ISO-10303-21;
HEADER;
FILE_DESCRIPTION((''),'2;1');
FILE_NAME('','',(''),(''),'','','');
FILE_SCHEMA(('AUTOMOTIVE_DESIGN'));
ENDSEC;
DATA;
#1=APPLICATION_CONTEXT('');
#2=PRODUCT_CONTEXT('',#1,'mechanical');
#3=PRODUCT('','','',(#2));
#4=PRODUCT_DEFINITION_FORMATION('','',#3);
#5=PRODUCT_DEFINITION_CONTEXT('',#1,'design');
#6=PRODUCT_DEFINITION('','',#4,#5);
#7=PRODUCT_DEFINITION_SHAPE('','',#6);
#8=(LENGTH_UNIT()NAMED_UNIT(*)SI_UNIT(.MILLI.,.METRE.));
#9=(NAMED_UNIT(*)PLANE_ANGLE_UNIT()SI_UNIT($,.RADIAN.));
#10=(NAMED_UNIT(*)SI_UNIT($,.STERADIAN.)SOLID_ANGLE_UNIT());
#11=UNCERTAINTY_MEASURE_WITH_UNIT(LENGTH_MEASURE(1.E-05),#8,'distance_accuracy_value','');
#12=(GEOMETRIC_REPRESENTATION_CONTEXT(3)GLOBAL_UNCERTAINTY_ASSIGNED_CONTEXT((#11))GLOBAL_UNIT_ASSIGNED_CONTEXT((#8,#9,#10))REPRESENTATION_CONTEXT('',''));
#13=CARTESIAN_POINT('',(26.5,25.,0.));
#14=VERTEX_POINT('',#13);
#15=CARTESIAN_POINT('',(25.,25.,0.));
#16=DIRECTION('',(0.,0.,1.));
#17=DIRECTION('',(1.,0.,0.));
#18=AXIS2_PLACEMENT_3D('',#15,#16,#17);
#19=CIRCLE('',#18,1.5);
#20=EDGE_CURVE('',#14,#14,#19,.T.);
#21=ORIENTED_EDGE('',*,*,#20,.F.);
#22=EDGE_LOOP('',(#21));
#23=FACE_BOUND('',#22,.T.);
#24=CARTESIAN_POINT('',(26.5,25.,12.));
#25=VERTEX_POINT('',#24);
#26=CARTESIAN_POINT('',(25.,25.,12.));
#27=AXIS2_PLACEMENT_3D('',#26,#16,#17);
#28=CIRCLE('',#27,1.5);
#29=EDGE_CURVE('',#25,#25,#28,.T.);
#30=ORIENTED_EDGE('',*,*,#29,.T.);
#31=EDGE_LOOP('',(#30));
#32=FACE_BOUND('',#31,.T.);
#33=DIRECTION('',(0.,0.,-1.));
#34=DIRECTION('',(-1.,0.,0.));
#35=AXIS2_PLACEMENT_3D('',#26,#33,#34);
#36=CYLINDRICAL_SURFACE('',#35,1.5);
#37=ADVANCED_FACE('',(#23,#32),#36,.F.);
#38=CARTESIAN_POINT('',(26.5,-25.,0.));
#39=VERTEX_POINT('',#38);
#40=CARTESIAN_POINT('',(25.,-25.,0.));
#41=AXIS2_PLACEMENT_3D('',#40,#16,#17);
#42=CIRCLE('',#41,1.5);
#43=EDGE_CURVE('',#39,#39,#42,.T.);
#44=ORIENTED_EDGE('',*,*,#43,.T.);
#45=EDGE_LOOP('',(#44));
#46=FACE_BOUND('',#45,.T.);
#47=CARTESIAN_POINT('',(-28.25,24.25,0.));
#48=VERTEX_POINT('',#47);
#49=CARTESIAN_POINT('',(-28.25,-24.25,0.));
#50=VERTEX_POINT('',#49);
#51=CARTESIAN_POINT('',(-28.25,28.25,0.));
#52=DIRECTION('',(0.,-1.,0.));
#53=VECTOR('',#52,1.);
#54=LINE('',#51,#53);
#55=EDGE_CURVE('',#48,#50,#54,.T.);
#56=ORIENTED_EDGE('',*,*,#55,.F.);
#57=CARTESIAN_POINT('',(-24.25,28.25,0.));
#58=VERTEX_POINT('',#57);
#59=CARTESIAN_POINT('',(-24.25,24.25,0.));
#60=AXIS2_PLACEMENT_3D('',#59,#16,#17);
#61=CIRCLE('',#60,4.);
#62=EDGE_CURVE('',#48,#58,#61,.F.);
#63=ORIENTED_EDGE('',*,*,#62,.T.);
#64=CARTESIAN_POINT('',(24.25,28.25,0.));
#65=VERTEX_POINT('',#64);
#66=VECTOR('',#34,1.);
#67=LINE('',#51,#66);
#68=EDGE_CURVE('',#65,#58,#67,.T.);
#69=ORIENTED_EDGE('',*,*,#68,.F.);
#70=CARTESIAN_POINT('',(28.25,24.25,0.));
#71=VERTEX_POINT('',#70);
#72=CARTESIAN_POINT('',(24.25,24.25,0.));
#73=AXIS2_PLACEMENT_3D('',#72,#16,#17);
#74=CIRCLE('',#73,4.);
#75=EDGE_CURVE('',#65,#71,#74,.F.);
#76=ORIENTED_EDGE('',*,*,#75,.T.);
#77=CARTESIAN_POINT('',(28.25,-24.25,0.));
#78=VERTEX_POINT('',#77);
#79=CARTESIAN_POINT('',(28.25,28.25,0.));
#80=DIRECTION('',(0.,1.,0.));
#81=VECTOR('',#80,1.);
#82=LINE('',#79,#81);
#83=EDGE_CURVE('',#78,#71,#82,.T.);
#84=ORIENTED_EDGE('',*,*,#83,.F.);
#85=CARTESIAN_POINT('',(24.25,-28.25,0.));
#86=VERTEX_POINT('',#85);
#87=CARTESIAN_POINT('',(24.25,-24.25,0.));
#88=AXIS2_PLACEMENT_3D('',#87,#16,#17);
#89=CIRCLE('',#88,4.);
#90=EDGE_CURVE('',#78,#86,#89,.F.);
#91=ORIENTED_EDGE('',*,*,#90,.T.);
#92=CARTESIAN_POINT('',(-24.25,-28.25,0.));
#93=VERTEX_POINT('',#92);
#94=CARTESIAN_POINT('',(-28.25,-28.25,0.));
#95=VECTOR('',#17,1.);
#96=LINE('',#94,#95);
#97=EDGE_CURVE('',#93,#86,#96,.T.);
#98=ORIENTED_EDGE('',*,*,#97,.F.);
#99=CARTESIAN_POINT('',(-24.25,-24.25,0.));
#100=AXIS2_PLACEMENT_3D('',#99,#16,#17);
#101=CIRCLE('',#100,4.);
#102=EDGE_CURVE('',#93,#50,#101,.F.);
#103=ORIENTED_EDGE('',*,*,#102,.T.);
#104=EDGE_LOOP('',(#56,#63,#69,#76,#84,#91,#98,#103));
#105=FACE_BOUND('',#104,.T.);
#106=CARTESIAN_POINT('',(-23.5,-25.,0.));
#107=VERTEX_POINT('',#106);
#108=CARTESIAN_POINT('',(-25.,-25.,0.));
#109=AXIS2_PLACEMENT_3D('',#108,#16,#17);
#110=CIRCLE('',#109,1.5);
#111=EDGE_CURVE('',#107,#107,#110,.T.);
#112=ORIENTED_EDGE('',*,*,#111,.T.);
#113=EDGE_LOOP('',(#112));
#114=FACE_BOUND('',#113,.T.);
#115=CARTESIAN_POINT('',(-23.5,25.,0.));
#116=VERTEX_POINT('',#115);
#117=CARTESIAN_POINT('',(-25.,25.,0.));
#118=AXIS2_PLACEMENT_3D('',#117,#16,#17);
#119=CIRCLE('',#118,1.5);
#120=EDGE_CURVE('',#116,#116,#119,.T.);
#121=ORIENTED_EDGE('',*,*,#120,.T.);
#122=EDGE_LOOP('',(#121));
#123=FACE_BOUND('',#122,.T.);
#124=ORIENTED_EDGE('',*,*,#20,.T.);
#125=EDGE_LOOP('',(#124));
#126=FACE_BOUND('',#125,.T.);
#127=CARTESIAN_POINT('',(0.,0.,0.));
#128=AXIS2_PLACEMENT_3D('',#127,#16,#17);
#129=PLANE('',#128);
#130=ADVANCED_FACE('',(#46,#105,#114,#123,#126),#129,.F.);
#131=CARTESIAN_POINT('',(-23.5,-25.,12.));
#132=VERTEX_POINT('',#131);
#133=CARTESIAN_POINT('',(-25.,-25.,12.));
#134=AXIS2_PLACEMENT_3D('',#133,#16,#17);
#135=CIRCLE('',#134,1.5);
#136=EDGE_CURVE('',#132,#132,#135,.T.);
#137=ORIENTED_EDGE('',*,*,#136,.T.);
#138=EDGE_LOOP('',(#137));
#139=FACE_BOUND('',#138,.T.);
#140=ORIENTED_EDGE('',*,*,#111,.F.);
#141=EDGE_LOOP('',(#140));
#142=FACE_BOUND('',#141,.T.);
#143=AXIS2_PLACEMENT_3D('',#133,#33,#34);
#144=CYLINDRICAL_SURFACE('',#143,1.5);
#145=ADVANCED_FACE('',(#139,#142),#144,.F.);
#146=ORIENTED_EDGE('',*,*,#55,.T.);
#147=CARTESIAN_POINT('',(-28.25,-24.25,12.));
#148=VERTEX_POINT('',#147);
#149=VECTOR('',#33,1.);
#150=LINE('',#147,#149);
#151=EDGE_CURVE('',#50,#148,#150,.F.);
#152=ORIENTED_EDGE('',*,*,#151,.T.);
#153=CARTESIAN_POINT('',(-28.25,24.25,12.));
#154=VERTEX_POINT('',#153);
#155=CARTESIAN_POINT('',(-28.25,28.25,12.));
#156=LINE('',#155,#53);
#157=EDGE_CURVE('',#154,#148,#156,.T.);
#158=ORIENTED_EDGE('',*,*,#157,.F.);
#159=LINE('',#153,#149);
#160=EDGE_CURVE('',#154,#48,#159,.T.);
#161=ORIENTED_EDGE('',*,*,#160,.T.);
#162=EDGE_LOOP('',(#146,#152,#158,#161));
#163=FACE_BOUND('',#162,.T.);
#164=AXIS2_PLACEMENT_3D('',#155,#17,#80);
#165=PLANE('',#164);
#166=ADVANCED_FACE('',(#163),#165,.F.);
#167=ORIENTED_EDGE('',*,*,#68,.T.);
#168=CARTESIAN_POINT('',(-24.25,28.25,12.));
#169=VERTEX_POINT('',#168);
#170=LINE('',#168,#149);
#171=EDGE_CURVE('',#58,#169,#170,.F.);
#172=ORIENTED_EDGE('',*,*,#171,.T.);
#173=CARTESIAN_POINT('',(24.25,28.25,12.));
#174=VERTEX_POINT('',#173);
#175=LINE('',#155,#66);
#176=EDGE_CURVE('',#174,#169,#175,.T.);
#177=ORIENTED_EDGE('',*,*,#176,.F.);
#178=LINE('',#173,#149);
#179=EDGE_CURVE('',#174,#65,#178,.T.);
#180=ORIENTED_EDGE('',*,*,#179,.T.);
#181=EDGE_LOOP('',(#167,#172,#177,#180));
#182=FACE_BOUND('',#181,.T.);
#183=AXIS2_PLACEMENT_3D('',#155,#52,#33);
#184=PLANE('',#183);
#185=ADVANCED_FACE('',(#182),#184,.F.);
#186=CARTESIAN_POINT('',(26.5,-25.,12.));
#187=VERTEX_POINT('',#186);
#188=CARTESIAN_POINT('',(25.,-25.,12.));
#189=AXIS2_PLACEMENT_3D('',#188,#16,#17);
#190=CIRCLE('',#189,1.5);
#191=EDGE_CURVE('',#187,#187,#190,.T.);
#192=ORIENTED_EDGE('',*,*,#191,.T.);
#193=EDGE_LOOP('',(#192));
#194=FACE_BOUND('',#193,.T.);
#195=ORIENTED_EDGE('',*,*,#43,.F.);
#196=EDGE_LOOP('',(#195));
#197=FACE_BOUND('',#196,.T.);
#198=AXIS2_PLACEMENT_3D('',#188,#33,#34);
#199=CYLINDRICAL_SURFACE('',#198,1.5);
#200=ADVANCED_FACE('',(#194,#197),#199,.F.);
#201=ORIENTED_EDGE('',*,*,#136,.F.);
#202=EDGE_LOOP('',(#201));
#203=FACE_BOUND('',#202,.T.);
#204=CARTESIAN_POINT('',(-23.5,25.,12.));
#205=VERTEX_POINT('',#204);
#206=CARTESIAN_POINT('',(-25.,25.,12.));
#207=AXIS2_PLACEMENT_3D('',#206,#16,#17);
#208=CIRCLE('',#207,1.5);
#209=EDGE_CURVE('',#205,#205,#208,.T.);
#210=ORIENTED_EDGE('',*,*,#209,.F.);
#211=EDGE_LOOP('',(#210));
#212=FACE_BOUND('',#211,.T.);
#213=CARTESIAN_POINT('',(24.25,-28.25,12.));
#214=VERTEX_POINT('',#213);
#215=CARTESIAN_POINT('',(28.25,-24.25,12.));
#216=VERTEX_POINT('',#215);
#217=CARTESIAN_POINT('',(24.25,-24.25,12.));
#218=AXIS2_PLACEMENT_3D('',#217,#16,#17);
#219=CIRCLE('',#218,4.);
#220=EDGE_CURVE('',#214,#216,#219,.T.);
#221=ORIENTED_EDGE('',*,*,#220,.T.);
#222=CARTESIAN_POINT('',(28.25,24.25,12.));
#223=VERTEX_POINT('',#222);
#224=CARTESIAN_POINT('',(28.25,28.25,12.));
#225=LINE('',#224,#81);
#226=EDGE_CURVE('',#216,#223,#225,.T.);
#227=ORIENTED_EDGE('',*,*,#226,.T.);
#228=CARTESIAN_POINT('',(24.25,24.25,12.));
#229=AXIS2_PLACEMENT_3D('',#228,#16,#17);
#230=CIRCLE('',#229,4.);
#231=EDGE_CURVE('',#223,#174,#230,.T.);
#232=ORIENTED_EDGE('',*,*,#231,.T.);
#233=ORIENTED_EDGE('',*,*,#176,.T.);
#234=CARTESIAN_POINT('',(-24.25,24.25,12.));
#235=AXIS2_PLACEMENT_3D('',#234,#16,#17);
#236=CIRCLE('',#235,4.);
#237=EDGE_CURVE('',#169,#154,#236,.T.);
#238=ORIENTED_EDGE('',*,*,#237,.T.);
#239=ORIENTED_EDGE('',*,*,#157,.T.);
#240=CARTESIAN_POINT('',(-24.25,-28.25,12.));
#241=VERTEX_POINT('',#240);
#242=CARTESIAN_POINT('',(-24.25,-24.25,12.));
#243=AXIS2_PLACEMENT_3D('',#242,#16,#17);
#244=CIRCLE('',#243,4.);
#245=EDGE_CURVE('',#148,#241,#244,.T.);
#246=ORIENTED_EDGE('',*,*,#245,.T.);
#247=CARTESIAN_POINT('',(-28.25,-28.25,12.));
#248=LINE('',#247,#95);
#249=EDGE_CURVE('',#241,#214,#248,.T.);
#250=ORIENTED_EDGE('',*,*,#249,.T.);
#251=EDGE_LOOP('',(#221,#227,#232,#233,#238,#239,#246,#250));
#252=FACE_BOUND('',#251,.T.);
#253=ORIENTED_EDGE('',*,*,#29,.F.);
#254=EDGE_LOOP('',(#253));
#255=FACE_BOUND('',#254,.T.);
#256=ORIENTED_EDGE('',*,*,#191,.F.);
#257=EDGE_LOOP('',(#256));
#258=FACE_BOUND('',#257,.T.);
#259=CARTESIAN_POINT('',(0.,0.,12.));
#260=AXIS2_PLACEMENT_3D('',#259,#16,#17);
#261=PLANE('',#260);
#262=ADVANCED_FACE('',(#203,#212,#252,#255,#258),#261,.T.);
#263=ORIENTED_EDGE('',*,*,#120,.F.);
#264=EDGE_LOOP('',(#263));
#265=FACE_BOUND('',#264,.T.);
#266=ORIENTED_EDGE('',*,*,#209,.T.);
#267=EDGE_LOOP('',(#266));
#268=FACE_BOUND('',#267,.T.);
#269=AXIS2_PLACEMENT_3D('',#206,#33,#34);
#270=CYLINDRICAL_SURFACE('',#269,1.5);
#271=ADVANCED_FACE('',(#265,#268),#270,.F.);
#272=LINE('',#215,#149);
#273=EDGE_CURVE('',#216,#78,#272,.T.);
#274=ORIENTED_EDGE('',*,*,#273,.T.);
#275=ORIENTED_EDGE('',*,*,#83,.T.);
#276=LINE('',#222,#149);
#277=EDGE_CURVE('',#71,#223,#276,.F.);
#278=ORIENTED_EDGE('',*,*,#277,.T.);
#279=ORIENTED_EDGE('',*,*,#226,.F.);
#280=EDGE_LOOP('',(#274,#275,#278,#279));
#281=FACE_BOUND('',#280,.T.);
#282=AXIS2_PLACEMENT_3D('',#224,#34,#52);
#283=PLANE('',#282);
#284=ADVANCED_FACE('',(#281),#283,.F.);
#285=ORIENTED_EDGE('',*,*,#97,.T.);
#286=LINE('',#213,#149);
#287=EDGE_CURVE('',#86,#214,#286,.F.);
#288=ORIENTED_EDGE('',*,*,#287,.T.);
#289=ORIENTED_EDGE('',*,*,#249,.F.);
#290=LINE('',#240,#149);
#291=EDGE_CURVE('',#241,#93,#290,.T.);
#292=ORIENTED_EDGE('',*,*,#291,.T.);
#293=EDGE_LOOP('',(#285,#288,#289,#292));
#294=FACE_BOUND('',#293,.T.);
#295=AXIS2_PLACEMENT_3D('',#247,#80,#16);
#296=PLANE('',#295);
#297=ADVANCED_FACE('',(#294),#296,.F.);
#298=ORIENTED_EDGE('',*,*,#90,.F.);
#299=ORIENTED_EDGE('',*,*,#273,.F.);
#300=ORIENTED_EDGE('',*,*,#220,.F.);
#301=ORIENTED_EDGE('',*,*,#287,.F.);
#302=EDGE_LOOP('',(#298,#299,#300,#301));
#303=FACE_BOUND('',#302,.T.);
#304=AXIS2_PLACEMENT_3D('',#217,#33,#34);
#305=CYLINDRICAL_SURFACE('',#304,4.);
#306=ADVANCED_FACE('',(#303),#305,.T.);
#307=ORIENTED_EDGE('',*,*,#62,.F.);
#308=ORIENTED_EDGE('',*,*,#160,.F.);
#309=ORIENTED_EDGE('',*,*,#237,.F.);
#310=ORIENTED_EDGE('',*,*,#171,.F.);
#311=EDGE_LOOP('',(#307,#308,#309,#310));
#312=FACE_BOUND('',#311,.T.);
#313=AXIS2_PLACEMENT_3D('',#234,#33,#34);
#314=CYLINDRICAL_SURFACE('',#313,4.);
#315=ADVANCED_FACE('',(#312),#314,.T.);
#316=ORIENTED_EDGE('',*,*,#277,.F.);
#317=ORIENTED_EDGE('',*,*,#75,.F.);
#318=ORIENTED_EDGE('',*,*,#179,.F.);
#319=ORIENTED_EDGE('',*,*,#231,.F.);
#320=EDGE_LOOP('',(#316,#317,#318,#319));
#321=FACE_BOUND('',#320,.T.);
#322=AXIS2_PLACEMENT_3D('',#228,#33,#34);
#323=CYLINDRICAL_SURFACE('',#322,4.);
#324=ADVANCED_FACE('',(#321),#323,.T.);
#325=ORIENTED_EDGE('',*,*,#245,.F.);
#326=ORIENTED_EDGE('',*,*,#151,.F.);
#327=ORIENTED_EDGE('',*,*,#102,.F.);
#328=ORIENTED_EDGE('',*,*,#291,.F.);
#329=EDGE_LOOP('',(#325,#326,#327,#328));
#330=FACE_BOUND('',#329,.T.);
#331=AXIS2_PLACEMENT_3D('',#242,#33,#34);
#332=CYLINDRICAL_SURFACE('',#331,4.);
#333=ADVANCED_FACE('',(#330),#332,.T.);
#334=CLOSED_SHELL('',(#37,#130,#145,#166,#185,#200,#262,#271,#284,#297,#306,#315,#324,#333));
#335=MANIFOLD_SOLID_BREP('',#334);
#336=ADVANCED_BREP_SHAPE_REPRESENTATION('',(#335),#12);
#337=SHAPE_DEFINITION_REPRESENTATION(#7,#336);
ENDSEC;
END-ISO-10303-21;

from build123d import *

# Parameters (mm, degrees)
SKETCH_1_W        = 56.5
SKETCH_1_H        = 56.5
SKETCH_1_R        = 1.5
EXTRUDE_447_DEPTH = 12
FILLET_1_R        = 4


with BuildPart() as part:
    # Эскиз1 → Extrude 447 (new body)
    with BuildSketch(Plane.XY):
        Rectangle(SKETCH_1_W, SKETCH_1_H)
        with Locations((-25, 25)):
            Circle(SKETCH_1_R, mode=Mode.SUBTRACT)
        with Locations((25, 25)):
            Circle(SKETCH_1_R, mode=Mode.SUBTRACT)
        with Locations((25, -25)):
            Circle(SKETCH_1_R, mode=Mode.SUBTRACT)
        with Locations((-25, -25)):
            Circle(SKETCH_1_R, mode=Mode.SUBTRACT)
    extrude(amount=EXTRUDE_447_DEPTH)

    # Скругление1
    fillet_1_edges = [part.edges().sort_by_distance(p)[0] for p in [
        (28.25, -28.25, 6),
        (-28.25, -28.25, 6),
        (-28.25, 28.25, 6),
        (28.25, 28.25, 6),
    ]]
    fillet(fillet_1_edges, radius=FILLET_1_R)


solid = part.part
